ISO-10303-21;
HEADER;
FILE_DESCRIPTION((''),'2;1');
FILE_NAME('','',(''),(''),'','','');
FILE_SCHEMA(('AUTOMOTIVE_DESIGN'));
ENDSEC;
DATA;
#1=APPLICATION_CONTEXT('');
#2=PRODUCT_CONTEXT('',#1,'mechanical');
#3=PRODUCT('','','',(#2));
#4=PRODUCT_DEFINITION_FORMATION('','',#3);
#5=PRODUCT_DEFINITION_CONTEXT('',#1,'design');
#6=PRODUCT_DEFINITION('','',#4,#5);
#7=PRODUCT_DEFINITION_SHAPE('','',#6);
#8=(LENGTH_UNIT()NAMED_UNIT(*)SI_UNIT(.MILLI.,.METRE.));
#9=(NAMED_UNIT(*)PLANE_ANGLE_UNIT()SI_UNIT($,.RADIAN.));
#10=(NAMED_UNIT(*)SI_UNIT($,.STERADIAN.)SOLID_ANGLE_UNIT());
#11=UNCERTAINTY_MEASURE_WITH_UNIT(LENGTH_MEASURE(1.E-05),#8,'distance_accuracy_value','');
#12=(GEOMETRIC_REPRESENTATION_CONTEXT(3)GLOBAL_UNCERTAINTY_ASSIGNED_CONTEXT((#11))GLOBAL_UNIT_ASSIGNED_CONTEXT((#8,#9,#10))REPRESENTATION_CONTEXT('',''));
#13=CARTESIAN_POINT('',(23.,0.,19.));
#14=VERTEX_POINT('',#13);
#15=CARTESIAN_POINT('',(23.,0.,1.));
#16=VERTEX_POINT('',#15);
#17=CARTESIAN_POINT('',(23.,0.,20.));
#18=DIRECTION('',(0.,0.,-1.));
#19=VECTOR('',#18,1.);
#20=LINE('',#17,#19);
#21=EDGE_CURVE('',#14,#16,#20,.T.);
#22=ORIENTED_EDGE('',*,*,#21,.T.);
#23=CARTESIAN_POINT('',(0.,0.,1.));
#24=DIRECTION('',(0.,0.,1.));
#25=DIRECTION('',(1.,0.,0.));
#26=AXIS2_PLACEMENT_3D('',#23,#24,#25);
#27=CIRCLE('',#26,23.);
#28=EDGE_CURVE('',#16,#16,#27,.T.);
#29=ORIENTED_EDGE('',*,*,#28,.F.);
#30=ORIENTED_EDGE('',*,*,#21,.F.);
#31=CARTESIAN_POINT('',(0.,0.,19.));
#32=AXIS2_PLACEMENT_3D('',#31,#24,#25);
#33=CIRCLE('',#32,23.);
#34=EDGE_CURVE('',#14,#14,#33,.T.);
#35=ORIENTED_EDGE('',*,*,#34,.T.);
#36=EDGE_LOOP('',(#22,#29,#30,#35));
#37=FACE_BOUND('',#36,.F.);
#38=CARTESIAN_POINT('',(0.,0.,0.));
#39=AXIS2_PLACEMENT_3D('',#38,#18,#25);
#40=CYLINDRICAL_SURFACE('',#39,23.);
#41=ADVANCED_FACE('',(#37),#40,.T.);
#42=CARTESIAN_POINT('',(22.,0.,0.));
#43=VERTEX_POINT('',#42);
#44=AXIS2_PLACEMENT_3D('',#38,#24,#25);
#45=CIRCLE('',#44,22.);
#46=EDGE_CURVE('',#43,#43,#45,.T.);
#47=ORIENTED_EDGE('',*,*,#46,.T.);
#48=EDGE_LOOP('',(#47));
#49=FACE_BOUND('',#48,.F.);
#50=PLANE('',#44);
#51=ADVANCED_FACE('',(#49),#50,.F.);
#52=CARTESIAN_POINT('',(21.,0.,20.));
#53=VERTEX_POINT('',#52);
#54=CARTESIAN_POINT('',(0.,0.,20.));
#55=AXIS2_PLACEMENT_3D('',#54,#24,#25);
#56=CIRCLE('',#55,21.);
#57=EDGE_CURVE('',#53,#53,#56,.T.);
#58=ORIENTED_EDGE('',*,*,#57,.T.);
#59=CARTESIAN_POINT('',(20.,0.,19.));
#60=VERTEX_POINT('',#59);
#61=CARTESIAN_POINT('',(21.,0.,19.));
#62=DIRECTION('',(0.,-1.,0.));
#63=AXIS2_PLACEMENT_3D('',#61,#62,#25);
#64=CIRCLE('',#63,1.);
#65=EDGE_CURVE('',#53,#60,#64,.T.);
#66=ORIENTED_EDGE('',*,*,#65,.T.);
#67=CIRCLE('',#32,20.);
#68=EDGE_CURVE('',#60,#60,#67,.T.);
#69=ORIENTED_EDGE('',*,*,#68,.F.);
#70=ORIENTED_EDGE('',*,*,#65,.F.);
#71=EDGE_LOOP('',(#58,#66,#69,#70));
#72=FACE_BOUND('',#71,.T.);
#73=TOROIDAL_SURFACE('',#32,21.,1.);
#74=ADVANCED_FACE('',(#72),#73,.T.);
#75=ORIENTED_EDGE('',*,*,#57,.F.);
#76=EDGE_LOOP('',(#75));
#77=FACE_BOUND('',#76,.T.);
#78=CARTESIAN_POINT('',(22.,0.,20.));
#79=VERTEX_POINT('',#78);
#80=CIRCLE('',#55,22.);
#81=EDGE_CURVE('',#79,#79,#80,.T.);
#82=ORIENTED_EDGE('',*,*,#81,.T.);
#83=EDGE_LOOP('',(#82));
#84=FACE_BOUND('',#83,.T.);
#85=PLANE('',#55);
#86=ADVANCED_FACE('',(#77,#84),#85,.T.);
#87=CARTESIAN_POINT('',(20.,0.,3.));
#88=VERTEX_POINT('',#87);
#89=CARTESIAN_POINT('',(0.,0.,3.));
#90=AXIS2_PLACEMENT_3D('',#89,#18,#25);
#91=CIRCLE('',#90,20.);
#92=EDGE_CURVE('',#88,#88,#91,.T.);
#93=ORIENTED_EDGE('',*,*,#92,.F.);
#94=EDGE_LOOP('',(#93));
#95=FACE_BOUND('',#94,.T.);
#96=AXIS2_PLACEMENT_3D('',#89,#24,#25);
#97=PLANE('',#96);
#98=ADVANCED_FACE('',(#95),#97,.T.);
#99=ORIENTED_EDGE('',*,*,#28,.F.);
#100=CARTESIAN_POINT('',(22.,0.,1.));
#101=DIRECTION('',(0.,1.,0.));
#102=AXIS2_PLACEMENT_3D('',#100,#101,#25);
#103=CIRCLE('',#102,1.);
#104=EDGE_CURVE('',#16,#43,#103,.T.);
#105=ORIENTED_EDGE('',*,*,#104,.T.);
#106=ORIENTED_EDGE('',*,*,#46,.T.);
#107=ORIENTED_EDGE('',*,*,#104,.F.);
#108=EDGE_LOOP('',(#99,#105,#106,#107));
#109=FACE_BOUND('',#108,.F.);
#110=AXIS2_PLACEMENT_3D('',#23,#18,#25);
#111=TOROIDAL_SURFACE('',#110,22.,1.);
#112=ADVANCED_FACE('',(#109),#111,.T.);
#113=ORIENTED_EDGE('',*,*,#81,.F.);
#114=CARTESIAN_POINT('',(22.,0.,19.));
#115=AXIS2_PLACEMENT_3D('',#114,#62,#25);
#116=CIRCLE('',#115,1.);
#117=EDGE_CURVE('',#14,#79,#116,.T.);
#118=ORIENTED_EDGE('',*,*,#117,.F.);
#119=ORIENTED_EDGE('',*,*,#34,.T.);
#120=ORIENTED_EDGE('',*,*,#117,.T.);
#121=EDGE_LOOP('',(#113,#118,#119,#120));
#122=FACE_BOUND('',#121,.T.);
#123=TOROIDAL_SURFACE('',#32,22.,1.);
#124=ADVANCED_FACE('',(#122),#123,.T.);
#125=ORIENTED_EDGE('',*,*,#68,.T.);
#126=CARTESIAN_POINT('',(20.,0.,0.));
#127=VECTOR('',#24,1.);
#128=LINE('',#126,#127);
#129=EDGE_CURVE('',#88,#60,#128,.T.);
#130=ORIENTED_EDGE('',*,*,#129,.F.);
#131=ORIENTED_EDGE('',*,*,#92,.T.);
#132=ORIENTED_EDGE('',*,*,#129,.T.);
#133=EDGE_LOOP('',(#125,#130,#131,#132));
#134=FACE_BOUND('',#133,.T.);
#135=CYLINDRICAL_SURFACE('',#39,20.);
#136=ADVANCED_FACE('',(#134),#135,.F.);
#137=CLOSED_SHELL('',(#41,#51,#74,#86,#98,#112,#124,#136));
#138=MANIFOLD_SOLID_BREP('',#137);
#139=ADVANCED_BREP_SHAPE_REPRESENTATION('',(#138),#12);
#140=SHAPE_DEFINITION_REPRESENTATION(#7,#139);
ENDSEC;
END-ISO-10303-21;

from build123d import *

# Parameters (mm, degrees)
F0_R     = 23
F0_R_2   = 20
F1_DEPTH = 20
F2_R     = 23
F3_DEPTH = 3
F4_R     = 1


with BuildPart() as f1:
    # F0 (on Top) → F1 (new body)
    with BuildSketch(Plane.XY):
        Circle(F0_R)
        Circle(F0_R_2, mode=Mode.SUBTRACT)
    extrude(amount=F1_DEPTH)

    # F2 (on Top) → F3 (join)
    with BuildSketch(Plane.XY):
        Circle(F2_R)
    extrude(amount=F3_DEPTH)

    # F4
    f4_edges = [f1.edges().sort_by_distance(p)[0] for p in [
        (-20, 0, 20),
        (-23, 0, 20),
        (-23, 0, 0),
    ]]
    fillet(f4_edges, radius=F4_R)


solid = f1.part
